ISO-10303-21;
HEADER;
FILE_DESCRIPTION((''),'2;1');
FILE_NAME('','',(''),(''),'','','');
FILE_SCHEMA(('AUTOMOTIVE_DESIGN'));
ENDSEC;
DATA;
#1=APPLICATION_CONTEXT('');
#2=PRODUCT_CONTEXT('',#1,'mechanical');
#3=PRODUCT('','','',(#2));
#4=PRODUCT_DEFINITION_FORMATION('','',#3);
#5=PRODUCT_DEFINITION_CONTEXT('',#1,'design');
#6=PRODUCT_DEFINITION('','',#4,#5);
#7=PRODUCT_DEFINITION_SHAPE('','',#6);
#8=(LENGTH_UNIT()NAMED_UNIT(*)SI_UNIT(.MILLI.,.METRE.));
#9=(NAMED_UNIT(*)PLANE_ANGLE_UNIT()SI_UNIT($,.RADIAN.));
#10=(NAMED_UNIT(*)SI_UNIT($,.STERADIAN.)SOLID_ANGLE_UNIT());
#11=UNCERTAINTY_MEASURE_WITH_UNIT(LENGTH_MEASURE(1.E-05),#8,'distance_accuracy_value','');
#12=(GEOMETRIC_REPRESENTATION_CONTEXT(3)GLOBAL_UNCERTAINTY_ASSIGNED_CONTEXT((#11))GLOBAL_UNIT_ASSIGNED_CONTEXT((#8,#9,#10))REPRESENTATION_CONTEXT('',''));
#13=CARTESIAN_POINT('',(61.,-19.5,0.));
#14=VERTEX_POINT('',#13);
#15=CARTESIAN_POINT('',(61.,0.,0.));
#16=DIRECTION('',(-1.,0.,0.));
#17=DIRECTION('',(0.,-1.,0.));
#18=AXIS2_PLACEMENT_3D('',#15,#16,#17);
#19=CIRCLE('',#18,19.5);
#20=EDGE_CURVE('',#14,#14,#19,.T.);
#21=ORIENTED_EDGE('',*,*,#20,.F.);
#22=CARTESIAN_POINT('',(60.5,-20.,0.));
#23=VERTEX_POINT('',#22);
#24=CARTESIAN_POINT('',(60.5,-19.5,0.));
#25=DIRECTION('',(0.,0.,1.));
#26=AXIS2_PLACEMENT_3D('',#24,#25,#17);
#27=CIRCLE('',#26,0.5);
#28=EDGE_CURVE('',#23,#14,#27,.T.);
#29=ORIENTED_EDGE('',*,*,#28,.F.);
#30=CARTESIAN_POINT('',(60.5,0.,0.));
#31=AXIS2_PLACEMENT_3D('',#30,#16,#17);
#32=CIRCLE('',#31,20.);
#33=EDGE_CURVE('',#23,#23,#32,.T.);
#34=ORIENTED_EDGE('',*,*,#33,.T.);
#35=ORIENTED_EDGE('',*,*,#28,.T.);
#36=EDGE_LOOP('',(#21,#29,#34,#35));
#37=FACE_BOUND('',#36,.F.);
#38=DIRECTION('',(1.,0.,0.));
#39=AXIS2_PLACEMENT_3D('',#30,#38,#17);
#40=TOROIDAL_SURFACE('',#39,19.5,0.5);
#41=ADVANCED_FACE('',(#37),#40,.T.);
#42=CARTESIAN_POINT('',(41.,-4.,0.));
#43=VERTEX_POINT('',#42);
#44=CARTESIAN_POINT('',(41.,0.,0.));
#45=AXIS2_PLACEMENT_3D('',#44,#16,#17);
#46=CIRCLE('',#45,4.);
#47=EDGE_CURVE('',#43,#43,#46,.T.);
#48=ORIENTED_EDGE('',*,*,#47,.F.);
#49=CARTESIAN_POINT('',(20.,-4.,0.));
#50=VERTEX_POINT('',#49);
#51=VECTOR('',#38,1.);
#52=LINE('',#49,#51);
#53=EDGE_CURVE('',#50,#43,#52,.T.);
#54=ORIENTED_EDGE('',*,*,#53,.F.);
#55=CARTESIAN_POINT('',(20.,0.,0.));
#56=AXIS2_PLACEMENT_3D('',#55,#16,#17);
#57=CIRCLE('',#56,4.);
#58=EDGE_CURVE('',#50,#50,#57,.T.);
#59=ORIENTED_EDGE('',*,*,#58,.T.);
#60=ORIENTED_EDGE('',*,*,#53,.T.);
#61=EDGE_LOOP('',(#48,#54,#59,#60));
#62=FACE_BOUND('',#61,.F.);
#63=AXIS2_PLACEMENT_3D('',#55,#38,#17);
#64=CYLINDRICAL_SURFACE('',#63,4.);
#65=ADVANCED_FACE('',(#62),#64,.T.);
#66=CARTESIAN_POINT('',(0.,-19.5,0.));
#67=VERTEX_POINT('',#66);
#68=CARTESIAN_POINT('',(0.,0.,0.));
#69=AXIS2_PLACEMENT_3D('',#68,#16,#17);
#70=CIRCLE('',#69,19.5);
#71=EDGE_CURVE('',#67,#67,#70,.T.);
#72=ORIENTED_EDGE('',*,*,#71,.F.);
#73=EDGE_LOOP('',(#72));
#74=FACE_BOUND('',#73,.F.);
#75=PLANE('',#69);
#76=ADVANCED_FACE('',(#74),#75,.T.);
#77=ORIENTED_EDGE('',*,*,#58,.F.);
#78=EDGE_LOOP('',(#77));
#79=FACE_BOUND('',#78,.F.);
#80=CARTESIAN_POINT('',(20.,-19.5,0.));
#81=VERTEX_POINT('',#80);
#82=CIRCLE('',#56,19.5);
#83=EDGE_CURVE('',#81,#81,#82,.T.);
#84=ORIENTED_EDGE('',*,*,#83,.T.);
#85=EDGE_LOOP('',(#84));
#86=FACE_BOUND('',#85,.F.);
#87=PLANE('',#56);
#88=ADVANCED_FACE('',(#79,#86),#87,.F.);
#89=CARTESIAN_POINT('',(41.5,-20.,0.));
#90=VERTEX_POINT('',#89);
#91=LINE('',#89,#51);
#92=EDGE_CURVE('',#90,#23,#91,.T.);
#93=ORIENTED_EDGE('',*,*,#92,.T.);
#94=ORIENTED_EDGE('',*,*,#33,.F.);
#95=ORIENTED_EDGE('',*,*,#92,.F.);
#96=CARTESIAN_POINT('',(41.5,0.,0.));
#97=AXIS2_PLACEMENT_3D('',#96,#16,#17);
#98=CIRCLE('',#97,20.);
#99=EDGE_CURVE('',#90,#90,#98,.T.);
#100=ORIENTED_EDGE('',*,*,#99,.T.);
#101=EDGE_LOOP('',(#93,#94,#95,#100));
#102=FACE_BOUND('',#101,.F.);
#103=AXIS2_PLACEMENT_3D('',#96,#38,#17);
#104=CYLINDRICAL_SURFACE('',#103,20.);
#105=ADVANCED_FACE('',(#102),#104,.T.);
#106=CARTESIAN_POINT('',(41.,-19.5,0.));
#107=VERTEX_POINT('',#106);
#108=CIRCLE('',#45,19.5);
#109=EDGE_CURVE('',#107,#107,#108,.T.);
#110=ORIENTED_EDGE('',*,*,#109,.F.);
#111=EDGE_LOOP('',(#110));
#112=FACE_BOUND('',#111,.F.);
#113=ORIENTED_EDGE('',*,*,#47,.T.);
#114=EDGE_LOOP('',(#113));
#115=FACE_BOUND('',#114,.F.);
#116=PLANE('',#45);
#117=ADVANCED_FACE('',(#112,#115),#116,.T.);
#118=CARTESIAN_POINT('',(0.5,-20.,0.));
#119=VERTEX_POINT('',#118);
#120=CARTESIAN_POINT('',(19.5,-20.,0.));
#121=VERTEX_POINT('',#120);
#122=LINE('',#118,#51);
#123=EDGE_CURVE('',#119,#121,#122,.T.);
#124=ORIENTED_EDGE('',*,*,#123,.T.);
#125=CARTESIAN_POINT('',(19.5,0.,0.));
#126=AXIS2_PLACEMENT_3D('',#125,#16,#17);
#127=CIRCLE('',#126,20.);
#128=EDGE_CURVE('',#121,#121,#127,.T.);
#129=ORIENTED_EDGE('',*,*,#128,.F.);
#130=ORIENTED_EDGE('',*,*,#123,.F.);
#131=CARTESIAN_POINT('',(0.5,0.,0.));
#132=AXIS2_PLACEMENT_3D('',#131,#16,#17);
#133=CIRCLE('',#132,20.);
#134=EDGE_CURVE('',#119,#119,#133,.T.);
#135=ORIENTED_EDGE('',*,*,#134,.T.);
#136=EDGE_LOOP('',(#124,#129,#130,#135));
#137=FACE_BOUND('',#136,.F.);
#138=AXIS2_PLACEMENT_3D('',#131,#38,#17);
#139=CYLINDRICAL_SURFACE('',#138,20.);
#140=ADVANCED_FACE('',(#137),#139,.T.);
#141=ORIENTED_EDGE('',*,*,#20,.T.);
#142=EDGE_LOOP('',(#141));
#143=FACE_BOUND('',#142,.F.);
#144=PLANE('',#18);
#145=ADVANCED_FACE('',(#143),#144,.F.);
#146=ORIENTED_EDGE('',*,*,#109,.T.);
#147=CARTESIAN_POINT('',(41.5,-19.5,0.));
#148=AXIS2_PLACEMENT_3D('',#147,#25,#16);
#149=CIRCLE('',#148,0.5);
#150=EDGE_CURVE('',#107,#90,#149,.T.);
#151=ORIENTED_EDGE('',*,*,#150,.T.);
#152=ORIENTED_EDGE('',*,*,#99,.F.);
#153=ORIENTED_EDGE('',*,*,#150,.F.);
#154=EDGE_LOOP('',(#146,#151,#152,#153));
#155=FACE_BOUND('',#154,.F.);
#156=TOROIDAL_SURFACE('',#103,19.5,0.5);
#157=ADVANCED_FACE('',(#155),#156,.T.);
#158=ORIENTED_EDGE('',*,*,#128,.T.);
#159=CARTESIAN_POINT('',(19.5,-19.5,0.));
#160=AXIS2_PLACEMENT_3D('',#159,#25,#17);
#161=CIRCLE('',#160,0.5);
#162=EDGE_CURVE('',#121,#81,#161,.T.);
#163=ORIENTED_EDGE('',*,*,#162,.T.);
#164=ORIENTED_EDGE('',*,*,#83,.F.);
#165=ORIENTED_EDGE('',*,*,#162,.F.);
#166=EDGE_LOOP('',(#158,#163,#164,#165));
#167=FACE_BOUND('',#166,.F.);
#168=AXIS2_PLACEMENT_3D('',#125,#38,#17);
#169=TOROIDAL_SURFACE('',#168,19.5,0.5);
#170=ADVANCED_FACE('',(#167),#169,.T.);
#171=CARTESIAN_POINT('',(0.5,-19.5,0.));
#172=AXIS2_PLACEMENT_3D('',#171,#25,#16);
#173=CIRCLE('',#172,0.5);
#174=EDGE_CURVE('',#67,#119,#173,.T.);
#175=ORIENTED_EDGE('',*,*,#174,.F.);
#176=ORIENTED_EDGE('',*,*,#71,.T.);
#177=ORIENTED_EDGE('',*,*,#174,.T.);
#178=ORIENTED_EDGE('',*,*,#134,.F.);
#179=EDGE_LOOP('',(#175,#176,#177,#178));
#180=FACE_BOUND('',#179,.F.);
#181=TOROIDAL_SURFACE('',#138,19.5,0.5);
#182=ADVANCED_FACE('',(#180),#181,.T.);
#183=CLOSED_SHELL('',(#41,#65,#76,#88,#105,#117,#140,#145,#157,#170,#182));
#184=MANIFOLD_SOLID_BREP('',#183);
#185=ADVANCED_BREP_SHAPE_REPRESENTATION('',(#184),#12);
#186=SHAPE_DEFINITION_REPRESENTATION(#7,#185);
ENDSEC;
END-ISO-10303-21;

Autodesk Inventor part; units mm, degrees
ref_plane "YZ Plane" through (0, 0, 0) normal (1, 0, 0) x (0, 1, 0)
ref_plane "XZ Plane" through (0, 0, 0) normal (0, 1, 0) x (-1, 0, 0)
ref_plane "XY Plane" through (0, 0, 0) normal (0, 0, 1) x (1, 0, 0)
sketch "Náčrt1" plane through (0, 0, 0) normal (0, 0, 1) x (1, 0, 0)
  line L0 (0, 0) -> (0, -19.5)
  line L1 (0.5, -20) -> (19.5, -20)
  line L2 (20, -19.5) -> (20, 0)
  line L3 (20, 0) -> (20, -4)
  line L4 (20, -4) -> (41, -4)
  line L5 (41, -4) -> (41, -19.5)
  line L6 (41.5, -20) -> (60.5, -20)
  line L7 (61, -19.5) -> (61, 0)
  line L8 (61, 0) -> (0, 0)
  arc A0 (41, -19.5) -> (41.5, -20) centre (41.5, -19.5) ccw
  arc A1 (60.5, -20) -> (61, -19.5) centre (60.5, -19.5) ccw
  arc A2 (0, -19.5) -> (0.5, -20) centre (0.5, -19.5) ccw
  arc A3 (19.5, -20) -> (20, -19.5) centre (19.5, -19.5) ccw
  point P0 (0, -20)
  point P1 (20, -20)
  point P2 (41, -20)
  point P3 (61, -20)
  dimension "d0" = 20
  dimension "d1" = 20
  dimension "d2" = 20
  dimension "d3" = 4
  dimension "d4" = 21
  dimension "d5" = 90
  dimension "d6" = 20
  dimension "d7" = 90
  dimension "d9" = 0.5
  dimension "d10" = 0.5
revolve "Rotace1" add sketch "Náčrt1" angle 360 about axis through (61, 0, 0) along (-1, 0, 0)
properties part number "součást 2"
